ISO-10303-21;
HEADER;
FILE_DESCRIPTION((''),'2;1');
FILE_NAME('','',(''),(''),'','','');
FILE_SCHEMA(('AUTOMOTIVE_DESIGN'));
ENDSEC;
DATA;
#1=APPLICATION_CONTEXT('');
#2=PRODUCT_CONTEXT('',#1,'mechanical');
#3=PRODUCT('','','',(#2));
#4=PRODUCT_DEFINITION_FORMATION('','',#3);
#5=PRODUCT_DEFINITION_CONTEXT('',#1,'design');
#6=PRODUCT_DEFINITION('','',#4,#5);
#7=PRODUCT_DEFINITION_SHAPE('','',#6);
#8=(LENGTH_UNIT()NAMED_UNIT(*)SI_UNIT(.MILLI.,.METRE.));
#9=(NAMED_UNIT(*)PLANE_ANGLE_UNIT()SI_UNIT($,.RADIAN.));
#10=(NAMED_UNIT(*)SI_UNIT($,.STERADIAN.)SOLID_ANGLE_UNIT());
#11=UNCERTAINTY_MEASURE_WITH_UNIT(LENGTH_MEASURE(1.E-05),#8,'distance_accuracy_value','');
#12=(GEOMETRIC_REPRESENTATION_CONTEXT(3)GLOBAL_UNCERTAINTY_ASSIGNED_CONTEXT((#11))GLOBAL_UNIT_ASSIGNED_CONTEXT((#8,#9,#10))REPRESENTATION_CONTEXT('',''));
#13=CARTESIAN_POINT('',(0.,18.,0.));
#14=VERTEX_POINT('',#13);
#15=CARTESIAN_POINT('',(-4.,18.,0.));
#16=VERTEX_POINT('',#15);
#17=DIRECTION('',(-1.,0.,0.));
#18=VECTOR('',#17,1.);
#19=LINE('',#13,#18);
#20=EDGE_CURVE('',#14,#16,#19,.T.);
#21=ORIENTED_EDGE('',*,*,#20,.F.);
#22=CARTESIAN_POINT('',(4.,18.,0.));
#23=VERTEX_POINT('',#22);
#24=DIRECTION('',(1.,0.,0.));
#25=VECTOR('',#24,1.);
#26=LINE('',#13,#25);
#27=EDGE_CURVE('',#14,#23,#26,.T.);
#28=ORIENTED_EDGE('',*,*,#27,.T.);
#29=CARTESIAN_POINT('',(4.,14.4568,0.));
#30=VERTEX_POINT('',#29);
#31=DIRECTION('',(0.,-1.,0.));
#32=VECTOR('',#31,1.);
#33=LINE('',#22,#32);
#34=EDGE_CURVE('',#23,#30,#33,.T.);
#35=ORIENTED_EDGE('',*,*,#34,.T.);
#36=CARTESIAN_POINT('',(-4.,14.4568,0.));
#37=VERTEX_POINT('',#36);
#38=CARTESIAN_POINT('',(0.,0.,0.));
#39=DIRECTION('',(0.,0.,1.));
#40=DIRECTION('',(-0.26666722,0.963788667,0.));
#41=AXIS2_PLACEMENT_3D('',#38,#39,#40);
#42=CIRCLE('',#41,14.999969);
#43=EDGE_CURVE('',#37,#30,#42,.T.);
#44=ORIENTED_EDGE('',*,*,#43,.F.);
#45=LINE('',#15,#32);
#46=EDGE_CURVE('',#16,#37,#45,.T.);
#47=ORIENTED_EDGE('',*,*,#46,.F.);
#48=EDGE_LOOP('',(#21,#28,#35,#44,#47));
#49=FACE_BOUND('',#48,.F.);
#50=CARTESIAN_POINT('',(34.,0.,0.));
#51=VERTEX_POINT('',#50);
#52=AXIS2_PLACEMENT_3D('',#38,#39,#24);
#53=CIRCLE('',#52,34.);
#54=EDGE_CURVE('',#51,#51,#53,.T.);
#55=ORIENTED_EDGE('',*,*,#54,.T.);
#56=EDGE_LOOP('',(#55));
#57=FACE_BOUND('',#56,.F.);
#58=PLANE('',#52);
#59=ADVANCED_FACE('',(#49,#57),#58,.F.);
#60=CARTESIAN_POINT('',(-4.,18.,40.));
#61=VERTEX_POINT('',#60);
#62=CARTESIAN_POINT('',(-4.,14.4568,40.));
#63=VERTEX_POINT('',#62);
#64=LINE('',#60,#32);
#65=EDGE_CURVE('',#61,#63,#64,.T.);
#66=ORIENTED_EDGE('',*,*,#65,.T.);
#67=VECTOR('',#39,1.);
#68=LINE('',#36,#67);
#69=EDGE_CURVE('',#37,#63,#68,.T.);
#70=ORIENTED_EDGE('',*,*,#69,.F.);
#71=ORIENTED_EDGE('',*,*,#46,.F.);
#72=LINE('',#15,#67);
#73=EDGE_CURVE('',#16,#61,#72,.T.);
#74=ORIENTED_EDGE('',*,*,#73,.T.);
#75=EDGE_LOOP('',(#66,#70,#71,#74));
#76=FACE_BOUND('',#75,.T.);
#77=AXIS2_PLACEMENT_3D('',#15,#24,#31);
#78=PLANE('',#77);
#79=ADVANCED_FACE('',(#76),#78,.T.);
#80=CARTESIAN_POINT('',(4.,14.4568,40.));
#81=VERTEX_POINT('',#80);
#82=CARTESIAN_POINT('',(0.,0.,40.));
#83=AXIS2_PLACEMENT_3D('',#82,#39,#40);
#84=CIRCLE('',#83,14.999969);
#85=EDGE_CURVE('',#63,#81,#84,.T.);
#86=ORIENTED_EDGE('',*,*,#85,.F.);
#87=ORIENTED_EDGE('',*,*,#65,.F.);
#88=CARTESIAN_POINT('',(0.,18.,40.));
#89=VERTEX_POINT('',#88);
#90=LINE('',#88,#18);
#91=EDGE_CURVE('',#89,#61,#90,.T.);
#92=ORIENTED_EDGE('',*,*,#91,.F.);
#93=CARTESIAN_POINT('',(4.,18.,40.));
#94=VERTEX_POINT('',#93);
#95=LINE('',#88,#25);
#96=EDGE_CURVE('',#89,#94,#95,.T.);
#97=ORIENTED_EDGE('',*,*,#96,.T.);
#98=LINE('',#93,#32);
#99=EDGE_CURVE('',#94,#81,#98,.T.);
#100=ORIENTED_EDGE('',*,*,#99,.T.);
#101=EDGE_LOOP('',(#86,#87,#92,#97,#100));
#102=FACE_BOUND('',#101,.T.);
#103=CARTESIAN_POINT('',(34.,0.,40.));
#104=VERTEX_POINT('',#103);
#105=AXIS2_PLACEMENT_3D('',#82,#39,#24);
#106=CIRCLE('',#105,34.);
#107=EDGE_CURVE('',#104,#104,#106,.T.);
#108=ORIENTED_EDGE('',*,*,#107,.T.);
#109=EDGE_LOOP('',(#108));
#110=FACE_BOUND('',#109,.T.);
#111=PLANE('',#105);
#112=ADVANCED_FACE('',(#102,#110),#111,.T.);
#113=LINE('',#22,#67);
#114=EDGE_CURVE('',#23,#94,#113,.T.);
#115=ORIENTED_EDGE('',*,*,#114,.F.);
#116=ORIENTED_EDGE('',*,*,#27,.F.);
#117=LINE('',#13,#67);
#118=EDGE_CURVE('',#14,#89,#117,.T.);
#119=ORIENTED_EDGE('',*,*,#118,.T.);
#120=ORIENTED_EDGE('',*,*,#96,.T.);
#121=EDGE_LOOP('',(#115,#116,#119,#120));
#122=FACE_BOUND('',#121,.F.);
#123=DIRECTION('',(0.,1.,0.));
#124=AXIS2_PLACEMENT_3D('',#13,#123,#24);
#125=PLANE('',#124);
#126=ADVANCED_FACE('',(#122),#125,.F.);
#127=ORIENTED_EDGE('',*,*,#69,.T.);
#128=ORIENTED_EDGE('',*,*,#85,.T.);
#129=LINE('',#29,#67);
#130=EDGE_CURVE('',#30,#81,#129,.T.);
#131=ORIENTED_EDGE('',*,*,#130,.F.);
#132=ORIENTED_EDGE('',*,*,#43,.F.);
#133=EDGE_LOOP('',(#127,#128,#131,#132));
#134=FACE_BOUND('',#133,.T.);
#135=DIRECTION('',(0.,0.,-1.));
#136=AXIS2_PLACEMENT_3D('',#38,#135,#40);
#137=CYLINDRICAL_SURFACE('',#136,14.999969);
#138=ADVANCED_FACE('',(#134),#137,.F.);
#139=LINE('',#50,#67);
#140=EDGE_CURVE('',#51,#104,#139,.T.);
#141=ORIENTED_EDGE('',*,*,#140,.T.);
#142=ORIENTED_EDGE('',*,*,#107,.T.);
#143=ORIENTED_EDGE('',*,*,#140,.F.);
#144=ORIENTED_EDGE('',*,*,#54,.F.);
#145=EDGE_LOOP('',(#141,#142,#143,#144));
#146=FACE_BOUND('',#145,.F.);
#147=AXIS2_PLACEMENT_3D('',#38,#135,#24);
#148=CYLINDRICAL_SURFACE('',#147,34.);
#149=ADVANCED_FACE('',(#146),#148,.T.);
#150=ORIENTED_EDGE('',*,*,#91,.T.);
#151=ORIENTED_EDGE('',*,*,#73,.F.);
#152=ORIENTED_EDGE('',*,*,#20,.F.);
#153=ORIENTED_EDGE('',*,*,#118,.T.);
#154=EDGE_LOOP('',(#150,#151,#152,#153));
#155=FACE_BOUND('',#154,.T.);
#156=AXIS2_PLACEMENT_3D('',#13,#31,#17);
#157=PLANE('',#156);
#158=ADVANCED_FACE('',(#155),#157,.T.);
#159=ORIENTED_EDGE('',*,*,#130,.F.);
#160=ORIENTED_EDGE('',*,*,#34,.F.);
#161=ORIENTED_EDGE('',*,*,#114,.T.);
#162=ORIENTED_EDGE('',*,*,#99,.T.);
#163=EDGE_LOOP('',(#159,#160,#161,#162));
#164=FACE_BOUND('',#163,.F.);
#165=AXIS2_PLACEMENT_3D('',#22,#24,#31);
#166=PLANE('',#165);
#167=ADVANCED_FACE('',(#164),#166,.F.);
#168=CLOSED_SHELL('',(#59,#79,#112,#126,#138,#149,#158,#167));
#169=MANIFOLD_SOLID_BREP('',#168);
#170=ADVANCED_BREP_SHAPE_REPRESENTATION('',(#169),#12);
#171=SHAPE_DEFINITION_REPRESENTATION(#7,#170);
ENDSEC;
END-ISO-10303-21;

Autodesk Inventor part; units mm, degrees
ref_plane "YZ Plane" through (0, 0, 0) normal (1, 0, 0) x (0, 1, 0)
ref_plane "XZ Plane" through (0, 0, 0) normal (0, 1, 0) x (-1, 0, 0)
ref_plane "XY Plane" through (0, 0, 0) normal (0, 0, 1) x (1, 0, 0)
sketch "スケッチ1" plane through (0, 0, 0) normal (0, 0, 1) x (1, 0, 0)
  circle A0 centre (0, 0) radius 34
  arc A1 (-4, 14.4568) -> (4, 14.4568) centre (0, 0) ccw
  line L0 (0, 15) -> (0, 11)
  line L1 (0, 15) -> (0, 18)
  line L2 (0, 18) -> (4, 18)
  line L3 (4, 18) -> (4, 14.4568)
  line L4 (4, 11) -> (0, 11)
  line L5 (0, 18) -> (-4, 18)
  line L6 (-4, 18) -> (-4, 14.4568)
  line L7 (-4, 11) -> (0, 11)
  point P0 (-4, 14.5)
  point P1 (4, 14.5)
  dimension "d0" = 68
  dimension "d1" = 30
  dimension "d2" = 4
  dimension "d3" = 3
  dimension "d4" = 4
extrude "押し出し1" add sketch "スケッチ1" along normal blind 40
properties part number "gear1"
